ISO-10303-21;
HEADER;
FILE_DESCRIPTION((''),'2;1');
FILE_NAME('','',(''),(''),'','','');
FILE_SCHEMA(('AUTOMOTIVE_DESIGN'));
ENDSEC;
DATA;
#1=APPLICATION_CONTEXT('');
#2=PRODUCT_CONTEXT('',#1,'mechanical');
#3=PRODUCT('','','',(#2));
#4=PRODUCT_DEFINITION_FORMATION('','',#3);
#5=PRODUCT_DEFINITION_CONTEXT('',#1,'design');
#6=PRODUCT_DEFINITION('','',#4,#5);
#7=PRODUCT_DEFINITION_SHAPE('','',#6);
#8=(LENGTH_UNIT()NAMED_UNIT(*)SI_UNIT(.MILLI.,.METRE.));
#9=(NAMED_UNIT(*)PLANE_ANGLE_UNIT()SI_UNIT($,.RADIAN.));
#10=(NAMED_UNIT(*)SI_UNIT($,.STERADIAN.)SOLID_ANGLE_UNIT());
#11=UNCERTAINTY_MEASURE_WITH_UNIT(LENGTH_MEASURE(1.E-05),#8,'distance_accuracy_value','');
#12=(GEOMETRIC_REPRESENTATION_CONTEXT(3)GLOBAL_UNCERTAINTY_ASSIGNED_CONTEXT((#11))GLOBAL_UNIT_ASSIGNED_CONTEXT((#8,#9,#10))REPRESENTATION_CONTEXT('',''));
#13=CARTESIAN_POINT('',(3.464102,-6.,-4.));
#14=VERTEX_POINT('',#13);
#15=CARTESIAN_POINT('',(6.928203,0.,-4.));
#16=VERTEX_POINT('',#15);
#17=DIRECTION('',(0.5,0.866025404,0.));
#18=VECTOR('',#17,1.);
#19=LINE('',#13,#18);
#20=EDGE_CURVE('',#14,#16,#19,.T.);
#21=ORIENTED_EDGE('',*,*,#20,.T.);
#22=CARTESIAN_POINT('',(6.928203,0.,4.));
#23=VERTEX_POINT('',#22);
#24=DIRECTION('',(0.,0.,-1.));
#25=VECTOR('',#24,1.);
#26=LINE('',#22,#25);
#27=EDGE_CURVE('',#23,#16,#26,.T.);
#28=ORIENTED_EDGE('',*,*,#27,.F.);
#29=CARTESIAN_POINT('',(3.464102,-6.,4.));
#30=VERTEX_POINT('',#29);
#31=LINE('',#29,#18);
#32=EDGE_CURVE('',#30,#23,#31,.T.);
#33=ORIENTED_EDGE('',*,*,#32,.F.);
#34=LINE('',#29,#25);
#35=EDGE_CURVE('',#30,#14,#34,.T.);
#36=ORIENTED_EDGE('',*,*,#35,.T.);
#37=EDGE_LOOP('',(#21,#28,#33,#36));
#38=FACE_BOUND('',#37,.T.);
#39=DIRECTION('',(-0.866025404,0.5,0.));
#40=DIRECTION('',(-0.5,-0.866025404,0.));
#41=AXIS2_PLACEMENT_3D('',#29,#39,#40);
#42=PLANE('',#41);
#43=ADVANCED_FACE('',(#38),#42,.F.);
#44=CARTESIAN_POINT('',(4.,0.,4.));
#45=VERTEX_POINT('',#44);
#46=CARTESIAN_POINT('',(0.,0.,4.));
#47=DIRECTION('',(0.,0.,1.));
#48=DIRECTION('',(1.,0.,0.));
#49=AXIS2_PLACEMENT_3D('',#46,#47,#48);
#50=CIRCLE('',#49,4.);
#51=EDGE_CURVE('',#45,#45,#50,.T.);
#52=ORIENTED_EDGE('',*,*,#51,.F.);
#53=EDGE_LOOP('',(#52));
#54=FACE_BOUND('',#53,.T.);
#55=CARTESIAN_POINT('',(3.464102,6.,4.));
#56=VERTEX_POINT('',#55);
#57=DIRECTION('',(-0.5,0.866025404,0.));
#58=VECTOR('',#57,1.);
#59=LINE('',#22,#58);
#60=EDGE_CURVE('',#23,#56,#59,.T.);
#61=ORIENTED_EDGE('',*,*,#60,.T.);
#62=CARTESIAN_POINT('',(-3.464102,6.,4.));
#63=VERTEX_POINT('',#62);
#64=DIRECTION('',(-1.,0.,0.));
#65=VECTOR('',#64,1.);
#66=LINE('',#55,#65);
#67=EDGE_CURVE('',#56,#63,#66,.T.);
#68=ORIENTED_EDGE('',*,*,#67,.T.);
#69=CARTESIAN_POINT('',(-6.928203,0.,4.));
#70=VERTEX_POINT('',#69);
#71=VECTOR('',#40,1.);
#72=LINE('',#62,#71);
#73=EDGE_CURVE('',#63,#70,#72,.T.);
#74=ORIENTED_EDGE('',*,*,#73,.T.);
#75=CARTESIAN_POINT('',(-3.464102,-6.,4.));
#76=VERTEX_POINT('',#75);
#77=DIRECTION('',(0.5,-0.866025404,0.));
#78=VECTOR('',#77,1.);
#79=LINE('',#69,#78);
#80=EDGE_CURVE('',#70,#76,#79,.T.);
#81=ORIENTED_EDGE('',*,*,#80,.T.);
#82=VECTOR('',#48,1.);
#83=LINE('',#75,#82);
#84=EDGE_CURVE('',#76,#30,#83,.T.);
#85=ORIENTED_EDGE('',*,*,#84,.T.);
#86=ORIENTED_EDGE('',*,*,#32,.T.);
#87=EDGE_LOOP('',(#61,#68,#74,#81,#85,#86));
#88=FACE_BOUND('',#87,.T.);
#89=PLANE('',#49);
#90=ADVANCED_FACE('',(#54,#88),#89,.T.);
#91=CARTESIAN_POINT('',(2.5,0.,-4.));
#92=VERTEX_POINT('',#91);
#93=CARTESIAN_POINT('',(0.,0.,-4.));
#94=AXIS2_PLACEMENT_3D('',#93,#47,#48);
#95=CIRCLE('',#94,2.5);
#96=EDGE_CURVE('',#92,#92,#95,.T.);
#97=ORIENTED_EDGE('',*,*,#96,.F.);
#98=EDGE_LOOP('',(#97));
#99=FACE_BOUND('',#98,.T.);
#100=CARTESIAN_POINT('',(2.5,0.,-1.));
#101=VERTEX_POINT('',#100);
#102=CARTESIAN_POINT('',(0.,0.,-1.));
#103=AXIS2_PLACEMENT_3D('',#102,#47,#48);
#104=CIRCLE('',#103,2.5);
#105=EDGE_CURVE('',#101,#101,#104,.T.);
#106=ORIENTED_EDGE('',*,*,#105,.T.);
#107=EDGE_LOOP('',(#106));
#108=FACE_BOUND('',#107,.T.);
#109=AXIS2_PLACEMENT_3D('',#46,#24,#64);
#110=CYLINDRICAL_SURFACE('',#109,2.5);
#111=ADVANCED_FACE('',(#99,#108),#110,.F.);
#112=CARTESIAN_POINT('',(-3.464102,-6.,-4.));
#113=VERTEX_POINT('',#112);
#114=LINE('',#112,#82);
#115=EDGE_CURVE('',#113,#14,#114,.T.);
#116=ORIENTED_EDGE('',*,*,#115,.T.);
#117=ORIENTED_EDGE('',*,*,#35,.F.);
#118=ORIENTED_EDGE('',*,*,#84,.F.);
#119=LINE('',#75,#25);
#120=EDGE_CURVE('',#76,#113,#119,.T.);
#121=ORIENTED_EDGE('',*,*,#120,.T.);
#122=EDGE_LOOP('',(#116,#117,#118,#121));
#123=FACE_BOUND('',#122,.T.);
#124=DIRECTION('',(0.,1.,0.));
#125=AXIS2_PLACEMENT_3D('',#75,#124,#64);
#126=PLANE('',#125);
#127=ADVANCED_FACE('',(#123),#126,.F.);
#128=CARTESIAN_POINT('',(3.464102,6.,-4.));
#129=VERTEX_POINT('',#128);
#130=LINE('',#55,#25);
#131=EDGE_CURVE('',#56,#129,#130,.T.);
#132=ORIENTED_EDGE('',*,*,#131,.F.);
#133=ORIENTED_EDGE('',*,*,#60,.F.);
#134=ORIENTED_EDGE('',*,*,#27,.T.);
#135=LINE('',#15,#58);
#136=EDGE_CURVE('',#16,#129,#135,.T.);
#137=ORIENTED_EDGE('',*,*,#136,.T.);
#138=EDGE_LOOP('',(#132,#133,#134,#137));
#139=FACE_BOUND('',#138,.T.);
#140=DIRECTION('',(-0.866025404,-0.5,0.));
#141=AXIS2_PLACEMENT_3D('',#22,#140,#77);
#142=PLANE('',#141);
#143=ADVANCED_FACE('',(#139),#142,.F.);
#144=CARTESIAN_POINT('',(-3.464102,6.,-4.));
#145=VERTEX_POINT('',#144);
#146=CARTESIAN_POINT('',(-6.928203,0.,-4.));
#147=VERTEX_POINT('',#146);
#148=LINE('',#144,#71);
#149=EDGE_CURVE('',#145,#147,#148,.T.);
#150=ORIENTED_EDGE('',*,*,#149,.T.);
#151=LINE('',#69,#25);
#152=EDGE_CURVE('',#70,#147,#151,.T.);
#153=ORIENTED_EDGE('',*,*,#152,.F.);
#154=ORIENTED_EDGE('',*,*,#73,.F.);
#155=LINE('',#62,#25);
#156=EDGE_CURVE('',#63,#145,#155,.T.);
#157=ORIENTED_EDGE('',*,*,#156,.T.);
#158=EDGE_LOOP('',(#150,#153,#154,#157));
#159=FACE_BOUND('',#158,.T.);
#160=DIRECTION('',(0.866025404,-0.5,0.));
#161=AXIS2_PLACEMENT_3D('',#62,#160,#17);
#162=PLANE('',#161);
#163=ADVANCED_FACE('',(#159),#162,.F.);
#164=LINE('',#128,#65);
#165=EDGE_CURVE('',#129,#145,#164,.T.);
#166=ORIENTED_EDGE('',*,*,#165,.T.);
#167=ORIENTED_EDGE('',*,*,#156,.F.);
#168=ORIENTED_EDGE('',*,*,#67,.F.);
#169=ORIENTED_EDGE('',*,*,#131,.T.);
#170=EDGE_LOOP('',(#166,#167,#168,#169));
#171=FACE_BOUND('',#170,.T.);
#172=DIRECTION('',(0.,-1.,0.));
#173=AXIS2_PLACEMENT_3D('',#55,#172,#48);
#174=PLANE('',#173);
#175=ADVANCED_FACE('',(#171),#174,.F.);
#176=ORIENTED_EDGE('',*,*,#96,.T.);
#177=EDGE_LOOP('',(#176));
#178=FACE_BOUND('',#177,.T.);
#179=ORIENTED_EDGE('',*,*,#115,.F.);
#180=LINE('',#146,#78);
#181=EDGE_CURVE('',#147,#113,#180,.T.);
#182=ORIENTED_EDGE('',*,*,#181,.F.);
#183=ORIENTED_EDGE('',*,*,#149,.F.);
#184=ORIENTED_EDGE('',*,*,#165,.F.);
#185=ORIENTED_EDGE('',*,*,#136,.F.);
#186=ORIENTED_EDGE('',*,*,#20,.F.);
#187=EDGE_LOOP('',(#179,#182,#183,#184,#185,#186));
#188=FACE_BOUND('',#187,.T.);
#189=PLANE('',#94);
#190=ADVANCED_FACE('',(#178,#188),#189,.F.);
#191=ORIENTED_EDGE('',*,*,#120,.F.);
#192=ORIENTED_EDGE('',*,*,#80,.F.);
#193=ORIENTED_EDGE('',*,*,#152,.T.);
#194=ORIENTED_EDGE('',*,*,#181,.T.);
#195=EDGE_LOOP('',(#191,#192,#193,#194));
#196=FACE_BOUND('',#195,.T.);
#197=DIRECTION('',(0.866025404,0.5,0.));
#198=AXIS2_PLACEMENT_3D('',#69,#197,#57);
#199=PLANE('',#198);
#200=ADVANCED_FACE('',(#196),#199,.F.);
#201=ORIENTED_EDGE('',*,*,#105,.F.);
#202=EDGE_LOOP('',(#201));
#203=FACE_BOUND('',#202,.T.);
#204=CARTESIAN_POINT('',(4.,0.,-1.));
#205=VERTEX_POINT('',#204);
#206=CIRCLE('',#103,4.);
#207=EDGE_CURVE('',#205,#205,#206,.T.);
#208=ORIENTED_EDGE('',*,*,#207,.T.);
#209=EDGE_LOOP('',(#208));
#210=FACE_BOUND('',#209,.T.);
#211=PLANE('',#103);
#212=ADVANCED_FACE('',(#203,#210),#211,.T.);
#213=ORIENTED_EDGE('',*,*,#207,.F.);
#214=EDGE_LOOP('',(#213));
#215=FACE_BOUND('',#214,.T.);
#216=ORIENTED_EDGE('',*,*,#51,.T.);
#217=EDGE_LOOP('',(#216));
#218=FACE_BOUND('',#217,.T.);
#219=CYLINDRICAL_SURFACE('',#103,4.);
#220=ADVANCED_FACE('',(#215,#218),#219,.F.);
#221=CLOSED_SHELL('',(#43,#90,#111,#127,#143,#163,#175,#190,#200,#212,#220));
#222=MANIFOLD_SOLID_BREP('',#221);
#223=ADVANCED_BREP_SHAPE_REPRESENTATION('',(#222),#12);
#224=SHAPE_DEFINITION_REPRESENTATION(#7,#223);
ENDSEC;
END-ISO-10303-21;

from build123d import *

# Parameters (mm, degrees)
SKETCH1_R           = 2.5
BOSS_EXTRUDE1_DEPTH = 4
SKETCH2_R           = 4
CUT_EXTRUDE1_DEPTH  = 5


with BuildPart() as part:
    # Sketch1 → Boss-Extrude1 (new, symmetric)
    with BuildSketch(Plane.XY):
        Polygon((6.92820323, 0), (3.464101615, 6), (-3.464101615, 6), (-6.92820323, 0), (-3.464101615, -6), (3.464101615, -6), align=None)
        Circle(SKETCH1_R, mode=Mode.SUBTRACT)
    extrude(amount=BOSS_EXTRUDE1_DEPTH, both=True)

    # Sketch2 → Cut-Extrude1 (cut)
    with BuildSketch(Plane.XY.offset(4)):
        Circle(SKETCH2_R)
    extrude(amount=-CUT_EXTRUDE1_DEPTH, mode=Mode.SUBTRACT)


solid = part.part
